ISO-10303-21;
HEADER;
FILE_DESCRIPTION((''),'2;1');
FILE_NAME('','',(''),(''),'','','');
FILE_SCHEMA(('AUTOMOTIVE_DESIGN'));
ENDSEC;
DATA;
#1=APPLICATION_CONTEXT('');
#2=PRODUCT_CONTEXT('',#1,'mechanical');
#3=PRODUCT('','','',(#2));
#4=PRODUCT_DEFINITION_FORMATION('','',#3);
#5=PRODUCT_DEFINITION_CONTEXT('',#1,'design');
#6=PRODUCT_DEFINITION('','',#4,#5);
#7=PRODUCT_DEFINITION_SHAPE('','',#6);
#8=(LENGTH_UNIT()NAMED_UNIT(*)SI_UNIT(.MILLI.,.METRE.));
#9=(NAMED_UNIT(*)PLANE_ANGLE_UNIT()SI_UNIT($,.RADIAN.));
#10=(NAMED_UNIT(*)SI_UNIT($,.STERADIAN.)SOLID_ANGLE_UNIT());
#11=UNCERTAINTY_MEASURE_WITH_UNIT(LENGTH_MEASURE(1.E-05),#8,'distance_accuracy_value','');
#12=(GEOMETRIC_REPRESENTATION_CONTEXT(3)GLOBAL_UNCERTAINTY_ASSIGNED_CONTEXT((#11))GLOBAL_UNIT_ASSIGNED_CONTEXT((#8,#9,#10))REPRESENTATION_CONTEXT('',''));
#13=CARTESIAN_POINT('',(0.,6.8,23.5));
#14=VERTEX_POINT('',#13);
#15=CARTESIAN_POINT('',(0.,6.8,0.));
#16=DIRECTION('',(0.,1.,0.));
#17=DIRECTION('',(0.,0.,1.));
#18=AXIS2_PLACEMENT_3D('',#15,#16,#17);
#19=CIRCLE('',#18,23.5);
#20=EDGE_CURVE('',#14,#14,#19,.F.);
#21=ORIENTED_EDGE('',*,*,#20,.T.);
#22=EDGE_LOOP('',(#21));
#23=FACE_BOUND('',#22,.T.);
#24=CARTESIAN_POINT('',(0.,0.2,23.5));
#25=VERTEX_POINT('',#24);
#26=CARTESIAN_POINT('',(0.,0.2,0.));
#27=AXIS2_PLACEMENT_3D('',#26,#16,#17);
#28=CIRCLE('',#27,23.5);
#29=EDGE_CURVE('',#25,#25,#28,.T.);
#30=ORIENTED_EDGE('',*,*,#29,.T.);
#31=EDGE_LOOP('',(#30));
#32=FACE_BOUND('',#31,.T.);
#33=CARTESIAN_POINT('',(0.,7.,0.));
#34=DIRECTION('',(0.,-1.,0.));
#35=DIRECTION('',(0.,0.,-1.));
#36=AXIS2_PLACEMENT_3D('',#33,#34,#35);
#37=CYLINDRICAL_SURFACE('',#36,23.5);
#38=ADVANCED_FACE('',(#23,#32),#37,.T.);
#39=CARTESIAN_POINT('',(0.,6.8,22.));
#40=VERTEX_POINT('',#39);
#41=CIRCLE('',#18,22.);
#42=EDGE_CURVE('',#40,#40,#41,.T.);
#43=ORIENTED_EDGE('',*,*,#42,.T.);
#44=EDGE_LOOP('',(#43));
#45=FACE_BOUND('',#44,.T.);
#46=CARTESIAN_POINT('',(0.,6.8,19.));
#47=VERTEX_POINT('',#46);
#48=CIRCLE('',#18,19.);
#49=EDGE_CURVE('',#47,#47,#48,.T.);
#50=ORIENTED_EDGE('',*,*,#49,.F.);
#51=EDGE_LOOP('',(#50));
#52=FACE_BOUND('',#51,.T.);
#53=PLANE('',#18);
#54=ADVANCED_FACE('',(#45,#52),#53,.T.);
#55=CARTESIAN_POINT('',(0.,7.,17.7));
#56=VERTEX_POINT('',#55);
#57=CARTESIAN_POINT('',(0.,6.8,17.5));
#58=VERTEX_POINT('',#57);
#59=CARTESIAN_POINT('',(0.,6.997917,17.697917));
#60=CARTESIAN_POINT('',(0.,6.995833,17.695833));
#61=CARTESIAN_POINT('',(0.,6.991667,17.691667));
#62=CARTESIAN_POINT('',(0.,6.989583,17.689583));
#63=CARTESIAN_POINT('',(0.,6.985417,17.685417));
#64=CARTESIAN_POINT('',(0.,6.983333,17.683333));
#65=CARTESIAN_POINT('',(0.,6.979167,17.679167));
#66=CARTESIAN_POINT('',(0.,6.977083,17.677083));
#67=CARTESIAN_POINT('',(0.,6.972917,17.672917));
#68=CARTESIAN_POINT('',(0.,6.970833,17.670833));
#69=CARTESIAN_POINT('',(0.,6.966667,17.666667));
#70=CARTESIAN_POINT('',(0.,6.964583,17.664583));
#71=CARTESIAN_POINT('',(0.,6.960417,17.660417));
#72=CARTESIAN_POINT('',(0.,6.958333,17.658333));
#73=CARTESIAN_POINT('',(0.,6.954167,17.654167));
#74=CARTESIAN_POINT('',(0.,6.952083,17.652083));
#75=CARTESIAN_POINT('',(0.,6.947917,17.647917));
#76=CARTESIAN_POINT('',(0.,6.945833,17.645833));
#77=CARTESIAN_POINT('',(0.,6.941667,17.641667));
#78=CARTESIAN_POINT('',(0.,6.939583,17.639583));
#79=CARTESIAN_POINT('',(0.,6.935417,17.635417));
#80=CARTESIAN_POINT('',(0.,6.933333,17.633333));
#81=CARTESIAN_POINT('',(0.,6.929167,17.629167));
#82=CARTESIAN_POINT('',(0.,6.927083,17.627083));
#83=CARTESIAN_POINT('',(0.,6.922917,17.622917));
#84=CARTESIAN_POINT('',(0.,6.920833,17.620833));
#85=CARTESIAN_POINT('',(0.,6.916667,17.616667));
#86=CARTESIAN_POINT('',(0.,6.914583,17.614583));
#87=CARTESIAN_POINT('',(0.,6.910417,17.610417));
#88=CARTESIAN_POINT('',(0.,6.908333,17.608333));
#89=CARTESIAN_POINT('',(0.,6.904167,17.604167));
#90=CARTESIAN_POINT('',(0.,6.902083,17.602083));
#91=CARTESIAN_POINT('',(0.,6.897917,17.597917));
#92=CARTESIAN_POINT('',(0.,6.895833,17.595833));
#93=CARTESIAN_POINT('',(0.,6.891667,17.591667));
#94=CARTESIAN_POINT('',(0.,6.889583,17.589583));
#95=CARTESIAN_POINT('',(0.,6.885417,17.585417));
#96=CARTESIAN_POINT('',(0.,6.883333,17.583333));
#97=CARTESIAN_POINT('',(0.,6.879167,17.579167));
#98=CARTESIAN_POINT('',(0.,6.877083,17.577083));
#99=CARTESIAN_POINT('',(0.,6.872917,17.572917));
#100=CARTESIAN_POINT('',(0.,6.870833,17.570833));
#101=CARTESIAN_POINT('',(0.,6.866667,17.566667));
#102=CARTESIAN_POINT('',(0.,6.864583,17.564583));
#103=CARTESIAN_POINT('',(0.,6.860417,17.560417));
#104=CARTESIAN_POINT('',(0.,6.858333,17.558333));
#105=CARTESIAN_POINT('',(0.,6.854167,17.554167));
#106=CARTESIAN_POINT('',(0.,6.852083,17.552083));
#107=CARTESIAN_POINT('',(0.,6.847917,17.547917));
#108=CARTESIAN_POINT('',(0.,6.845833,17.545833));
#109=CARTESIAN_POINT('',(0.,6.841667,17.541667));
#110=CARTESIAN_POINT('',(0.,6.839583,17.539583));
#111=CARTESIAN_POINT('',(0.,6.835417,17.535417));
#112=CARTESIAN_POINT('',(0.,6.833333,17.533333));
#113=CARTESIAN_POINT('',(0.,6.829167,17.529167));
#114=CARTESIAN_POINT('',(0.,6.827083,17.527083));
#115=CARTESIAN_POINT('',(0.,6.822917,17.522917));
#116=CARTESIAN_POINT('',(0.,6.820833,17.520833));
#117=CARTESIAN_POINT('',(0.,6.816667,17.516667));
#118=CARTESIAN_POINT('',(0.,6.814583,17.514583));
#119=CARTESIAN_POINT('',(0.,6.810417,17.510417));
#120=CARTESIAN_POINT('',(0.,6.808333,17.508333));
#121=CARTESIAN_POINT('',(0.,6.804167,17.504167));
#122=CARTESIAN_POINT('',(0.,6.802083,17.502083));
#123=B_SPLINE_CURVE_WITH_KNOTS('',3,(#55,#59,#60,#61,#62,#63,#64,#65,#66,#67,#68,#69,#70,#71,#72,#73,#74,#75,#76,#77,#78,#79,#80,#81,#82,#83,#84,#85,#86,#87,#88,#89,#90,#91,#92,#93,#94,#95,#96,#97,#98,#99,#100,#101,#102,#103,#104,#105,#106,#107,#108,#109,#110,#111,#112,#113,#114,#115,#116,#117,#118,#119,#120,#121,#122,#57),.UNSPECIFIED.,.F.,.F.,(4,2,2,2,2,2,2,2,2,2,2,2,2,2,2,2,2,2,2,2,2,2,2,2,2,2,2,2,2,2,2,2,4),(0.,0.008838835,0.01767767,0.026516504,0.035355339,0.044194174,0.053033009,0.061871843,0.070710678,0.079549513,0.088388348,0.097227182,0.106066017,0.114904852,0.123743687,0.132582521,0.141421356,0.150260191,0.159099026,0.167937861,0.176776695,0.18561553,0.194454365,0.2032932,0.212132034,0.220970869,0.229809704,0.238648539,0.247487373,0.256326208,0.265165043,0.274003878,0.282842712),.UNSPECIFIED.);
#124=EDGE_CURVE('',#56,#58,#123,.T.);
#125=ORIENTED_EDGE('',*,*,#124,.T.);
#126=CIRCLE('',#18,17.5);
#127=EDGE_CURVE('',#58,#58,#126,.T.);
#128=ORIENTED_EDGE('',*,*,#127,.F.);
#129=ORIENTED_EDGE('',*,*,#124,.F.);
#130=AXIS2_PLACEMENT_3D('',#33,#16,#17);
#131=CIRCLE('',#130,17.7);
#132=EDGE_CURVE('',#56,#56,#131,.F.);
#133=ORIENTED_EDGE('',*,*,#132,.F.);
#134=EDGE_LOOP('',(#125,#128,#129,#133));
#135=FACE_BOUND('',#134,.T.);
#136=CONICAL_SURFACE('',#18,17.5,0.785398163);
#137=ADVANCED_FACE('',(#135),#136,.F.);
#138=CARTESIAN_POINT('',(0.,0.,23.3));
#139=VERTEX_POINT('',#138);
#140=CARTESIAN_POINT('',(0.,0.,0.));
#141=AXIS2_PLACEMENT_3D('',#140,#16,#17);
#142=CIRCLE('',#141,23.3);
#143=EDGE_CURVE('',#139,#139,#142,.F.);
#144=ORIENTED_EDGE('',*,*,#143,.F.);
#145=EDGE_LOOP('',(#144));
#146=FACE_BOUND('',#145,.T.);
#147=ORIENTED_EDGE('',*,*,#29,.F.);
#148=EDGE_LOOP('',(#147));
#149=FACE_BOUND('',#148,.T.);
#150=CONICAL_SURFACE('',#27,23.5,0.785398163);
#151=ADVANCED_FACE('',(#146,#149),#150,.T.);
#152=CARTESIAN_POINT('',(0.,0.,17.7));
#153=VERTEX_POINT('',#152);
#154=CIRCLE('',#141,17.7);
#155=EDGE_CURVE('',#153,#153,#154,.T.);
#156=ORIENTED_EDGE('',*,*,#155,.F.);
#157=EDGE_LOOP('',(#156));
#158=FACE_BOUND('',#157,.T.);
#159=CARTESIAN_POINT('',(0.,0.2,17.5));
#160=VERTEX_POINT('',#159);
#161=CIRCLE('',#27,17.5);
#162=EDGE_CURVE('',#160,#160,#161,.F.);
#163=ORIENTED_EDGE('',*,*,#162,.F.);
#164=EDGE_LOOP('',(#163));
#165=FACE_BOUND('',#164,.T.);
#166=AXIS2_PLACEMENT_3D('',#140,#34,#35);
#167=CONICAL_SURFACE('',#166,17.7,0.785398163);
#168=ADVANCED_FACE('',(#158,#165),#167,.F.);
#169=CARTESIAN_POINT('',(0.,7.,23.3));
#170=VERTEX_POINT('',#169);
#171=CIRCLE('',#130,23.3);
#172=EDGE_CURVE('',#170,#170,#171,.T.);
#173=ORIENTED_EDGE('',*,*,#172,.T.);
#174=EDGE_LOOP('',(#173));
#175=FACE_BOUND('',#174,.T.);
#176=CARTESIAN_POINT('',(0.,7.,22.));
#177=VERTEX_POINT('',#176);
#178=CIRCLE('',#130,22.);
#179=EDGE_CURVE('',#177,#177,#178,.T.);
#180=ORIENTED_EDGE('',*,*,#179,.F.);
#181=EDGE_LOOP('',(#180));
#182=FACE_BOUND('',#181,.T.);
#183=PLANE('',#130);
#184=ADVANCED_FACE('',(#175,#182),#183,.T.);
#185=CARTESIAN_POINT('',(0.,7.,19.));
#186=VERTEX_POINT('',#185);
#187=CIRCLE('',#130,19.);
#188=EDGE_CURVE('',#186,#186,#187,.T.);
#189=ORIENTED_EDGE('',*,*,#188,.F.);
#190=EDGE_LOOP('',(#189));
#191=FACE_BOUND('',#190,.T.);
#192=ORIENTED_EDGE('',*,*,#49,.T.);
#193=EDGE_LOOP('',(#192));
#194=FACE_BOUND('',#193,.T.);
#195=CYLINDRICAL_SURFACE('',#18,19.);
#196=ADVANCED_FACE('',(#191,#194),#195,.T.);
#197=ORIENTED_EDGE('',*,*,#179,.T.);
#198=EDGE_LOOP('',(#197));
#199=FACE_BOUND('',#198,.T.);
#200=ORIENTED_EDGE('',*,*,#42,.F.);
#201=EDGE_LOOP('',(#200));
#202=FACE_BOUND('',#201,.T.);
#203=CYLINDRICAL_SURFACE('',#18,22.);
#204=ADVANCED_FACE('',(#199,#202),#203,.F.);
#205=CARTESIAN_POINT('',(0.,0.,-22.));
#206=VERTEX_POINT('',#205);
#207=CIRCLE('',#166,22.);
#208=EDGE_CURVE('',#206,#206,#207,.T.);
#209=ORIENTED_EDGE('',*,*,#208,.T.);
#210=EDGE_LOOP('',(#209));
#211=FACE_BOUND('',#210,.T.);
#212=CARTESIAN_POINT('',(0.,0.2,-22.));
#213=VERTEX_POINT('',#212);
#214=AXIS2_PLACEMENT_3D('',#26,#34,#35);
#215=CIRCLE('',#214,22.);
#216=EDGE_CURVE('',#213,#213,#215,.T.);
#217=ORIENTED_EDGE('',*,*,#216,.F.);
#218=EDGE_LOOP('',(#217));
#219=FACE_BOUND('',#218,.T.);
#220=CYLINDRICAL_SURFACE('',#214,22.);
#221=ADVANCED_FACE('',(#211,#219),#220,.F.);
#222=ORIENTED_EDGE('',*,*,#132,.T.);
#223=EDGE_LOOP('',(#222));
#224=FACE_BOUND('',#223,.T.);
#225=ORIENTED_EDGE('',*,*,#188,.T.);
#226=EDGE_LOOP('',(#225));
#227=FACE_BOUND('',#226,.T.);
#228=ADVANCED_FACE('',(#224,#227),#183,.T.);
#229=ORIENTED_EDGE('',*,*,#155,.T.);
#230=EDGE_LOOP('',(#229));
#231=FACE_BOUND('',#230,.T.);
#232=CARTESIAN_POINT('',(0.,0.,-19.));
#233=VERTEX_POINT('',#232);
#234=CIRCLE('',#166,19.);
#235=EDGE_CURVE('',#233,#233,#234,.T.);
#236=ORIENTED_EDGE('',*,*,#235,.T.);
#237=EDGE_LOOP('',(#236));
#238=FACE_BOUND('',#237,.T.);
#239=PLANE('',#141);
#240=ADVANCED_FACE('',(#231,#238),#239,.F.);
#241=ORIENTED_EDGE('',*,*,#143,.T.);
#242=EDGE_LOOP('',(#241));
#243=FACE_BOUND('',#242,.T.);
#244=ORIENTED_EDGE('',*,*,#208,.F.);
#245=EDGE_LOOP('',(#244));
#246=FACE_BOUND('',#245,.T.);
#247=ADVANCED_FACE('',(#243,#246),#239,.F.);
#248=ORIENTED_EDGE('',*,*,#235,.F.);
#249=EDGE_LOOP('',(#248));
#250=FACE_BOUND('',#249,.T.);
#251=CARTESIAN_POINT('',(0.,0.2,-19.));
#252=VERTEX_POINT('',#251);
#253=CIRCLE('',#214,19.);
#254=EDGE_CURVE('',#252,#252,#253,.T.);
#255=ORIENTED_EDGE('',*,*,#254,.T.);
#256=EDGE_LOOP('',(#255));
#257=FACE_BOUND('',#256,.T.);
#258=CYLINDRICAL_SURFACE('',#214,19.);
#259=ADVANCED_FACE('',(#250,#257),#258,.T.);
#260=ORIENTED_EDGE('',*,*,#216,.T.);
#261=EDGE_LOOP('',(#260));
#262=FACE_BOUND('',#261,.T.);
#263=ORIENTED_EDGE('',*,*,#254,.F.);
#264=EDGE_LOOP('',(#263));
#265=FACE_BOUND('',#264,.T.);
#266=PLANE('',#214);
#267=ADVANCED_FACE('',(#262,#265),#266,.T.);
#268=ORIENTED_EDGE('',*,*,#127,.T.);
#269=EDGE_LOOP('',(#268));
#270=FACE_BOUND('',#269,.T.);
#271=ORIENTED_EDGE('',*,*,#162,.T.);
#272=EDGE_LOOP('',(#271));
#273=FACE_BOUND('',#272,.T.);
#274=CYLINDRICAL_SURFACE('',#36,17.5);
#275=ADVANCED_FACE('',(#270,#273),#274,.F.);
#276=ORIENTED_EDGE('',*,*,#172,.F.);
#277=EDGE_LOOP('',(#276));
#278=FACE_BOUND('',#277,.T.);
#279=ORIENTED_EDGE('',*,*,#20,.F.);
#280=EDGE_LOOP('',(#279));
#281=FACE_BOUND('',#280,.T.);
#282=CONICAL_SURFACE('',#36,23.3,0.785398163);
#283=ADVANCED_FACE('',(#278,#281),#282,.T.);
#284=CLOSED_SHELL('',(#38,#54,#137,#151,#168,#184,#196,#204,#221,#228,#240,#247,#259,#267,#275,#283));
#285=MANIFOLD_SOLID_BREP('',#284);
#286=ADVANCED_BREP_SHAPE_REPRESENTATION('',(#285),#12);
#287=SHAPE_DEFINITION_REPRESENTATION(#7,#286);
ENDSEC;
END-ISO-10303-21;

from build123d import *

# Parameters (mm, degrees)
SKETCH1_R           = 23.5
SKETCH1_R_2         = 17.5
BOSS_EXTRUDE1_DEPTH = 7
SKETCH2_R           = 22
SKETCH2_R_2         = 19
CUT_EXTRUDE1_DEPTH  = 0.2
CUT_EXTRUDE2_START  = -0.2
SKETCH3_R           = 22
SKETCH3_R_2         = 19
CUT_EXTRUDE2_DEPTH  = 0.2
CHAMFER1_SIZE       = 0.2


with BuildPart() as part:
    # Sketch1 → Boss-Extrude1 (new body)
    with BuildSketch(Plane(origin=(0, 0, 0), x_dir=(1, 0, 0), z_dir=(0, 1, 0))):
        with Locations(Location((0, 0, 0), (0, 0, 270))):
            Circle(SKETCH1_R)
        with Locations(Location((0, 0, 0), (0, 0, 270))):
            Circle(SKETCH1_R_2, mode=Mode.SUBTRACT)
    extrude(amount=BOSS_EXTRUDE1_DEPTH)

    # Sketch2 → Cut-Extrude1 (cut)
    with BuildSketch(Plane(origin=(0, 7, 0), x_dir=(1, 0, 0), z_dir=(0, 1, 0))):
        with Locations(Location((0, 0, 0), (0, 0, 270))):
            Circle(SKETCH2_R)
        with Locations(Location((0, 0, 0), (0, 0, 270))):
            Circle(SKETCH2_R_2, mode=Mode.SUBTRACT)
    extrude(amount=-CUT_EXTRUDE1_DEPTH, mode=Mode.SUBTRACT)

    # Sketch3 → Cut-Extrude2 (cut)
    with BuildSketch(Plane.XZ.offset(CUT_EXTRUDE2_START)):
        with Locations(Location((0, 0, 0), (0, 0, 90))):
            Circle(SKETCH3_R)
        with Locations(Location((0, 0, 0), (0, 0, 90))):
            Circle(SKETCH3_R_2, mode=Mode.SUBTRACT)
    extrude(amount=CUT_EXTRUDE2_DEPTH, mode=Mode.SUBTRACT)

    # Chamfer1
    chamfer1_edges = [part.edges().sort_by_distance(p)[0] for p in [
        (0, 0, -23.5),
        (0, 7, -23.5),
        (0, 0, -17.5),
        (0, 7, -17.5),
    ]]
    chamfer(chamfer1_edges, length=CHAMFER1_SIZE)


solid = part.part
